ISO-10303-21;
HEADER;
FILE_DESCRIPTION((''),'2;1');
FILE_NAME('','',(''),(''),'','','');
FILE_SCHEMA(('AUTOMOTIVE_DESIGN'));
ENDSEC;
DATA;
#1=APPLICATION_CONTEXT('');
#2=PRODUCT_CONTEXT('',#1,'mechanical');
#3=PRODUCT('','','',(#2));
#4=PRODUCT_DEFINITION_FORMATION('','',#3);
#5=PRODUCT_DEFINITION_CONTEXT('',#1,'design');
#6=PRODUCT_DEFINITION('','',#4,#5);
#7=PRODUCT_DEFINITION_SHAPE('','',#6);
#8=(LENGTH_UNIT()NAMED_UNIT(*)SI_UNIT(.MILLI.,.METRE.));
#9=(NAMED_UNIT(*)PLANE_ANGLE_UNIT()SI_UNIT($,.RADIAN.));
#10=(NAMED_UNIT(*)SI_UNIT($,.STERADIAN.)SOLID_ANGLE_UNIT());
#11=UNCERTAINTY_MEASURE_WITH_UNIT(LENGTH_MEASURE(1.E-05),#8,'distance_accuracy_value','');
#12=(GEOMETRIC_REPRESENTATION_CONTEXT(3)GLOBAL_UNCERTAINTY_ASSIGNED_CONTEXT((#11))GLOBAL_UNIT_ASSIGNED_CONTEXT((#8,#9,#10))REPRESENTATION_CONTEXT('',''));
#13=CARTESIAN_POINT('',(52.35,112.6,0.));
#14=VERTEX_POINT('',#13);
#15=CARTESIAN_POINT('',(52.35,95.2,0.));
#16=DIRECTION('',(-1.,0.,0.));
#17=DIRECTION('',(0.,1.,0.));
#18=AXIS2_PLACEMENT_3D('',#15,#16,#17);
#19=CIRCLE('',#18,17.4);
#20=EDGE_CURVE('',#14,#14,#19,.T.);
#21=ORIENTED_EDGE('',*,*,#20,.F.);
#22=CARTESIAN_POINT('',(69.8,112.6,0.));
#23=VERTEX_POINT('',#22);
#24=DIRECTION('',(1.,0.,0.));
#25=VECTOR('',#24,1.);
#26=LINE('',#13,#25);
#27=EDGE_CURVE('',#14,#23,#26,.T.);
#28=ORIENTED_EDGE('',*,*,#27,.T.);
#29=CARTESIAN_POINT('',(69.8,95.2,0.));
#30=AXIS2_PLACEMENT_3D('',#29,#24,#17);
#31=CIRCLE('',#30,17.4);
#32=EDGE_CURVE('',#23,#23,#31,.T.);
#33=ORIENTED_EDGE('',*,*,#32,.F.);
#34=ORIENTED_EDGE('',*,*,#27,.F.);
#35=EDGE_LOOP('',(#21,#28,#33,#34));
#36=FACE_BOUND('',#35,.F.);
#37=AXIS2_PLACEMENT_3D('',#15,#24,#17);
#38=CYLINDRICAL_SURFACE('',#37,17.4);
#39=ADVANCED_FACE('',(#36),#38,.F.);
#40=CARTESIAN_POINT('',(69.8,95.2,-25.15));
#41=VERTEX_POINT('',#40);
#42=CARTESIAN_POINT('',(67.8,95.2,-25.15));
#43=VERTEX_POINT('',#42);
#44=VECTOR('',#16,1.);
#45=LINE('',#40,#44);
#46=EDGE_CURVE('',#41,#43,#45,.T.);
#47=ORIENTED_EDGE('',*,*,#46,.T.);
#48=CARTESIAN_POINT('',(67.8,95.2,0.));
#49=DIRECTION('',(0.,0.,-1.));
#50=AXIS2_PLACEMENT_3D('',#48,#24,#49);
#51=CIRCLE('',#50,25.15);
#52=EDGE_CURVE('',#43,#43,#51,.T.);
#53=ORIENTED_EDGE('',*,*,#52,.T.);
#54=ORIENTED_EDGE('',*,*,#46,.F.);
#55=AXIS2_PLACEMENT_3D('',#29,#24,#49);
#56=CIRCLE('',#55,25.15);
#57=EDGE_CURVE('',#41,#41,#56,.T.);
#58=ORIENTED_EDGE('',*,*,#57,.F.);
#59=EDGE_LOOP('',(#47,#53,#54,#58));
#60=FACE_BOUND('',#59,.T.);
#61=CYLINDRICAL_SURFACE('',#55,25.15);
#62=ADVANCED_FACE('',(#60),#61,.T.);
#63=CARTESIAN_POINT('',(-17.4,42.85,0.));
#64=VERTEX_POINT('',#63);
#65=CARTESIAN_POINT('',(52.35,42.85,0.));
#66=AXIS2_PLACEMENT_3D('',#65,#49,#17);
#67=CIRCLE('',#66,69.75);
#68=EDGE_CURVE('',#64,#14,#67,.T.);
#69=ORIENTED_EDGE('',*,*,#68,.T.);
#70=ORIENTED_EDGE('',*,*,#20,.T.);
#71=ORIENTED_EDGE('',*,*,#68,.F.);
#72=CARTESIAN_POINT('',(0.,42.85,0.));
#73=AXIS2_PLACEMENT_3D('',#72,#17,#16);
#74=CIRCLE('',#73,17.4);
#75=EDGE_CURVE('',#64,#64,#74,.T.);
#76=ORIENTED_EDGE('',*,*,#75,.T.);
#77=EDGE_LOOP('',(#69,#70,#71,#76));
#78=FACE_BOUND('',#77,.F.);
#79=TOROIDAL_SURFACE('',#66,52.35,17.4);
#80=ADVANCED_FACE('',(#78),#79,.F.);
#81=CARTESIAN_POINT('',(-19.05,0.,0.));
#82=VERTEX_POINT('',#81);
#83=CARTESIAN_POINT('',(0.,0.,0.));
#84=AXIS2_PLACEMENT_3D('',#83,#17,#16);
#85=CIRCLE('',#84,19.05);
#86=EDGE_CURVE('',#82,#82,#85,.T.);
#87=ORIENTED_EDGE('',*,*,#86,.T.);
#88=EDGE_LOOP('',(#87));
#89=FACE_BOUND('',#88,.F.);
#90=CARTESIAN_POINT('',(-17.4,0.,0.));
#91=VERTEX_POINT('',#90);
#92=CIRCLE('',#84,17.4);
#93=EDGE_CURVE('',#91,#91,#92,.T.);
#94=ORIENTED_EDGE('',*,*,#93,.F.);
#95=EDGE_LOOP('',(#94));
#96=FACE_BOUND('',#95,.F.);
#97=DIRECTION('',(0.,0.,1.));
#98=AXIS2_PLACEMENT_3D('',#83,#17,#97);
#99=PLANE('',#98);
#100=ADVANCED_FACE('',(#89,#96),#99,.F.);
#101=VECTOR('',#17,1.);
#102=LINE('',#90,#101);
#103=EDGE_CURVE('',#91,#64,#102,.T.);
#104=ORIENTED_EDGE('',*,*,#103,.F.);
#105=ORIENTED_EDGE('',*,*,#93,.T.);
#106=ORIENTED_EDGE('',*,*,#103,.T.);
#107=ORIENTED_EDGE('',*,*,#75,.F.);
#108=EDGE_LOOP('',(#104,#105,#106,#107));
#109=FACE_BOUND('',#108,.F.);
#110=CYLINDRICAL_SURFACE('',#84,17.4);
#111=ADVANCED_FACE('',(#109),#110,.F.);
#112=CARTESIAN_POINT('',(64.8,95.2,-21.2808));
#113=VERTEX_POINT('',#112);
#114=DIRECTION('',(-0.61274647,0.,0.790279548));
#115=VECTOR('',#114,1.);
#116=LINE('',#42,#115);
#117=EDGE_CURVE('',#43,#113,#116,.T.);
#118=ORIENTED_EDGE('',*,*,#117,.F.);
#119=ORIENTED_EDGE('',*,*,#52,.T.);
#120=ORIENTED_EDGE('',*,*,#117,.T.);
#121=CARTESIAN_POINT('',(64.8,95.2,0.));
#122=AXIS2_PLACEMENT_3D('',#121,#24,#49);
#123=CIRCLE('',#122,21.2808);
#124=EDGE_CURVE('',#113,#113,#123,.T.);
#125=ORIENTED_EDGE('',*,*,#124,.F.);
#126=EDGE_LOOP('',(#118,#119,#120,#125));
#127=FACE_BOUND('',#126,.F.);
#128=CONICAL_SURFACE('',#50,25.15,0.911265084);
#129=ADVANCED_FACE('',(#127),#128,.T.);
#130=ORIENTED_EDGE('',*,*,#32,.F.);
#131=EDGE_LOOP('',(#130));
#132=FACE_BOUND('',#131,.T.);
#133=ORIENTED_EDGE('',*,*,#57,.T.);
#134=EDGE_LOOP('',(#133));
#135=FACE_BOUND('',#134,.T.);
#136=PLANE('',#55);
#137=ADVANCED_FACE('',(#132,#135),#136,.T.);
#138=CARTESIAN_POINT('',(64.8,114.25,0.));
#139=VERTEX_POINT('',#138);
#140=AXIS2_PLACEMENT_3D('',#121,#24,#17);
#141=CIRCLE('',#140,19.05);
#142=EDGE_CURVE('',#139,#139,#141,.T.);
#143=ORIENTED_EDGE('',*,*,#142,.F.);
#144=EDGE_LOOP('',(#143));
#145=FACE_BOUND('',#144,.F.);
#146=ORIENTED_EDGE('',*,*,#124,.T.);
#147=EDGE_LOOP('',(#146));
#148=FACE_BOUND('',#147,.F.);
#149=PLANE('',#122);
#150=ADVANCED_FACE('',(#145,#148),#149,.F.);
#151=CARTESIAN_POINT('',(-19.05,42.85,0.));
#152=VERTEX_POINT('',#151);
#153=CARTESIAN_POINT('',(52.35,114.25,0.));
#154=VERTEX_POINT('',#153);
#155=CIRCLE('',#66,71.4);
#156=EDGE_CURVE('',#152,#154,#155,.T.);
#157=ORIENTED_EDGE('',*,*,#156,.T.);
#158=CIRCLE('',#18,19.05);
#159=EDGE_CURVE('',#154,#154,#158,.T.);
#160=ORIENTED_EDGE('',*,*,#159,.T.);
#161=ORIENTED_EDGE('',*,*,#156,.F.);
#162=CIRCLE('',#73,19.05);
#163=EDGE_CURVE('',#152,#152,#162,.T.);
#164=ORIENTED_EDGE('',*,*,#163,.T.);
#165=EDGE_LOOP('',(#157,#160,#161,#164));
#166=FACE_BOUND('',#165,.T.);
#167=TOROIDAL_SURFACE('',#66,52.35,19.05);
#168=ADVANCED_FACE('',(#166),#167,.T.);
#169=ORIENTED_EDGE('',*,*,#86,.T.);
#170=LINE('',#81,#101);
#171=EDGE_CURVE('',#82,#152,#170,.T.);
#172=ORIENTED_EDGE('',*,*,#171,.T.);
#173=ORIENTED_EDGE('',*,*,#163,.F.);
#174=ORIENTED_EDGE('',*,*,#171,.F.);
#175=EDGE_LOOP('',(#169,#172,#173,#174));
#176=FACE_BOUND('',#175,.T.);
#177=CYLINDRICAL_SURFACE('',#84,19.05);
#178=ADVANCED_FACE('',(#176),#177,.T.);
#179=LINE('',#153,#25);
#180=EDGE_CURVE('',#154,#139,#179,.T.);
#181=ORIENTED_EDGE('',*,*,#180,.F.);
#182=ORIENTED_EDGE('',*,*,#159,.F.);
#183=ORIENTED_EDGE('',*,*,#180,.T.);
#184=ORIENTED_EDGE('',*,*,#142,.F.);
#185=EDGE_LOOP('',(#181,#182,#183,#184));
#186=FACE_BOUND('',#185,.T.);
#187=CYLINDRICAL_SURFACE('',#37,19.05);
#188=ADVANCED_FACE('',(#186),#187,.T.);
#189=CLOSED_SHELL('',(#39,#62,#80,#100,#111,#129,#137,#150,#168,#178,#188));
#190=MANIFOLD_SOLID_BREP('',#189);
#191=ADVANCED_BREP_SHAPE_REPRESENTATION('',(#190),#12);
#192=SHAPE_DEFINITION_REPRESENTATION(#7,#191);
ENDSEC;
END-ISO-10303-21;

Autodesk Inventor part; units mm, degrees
ref_plane "YZ Plane" through (0, 0, 0) normal (1, 0, 0) x (0, 1, 0)
ref_plane "XZ Plane" through (0, 0, 0) normal (0, 1, 0) x (-1, 0, 0)
ref_plane "XY Plane" through (0, 0, 0) normal (0, 0, 1) x (1, 0, 0)
sketch "Sketch1" plane through (0, 0, 0) normal (0, 0, 1) x (1, 0, 0)
  line L0 (0, 0) -> (0, 42.85)
  line L1 (52.35, 95.2) -> (69.8, 95.2)
  arc A0 (52.35, 95.2) -> (0, 42.85) centre (52.35, 42.85) ccw
  dimension "d1" = 95.2
  dimension "d2" = 69.8
  dimension "d4" = 52.35
sketch "Sketch2" plane through (0, 0, 0) normal (0, 1, 0) x (-1, 0, 0)
  circle A0 centre (0, 0) radius 19.05
  circle A1 centre (0, 0) radius 17.4
  dimension "d3" = 38.1
  dimension "d11" = 1.65
sweep "Sweep1" add profiles "Sketch2" path "Sketch1"
sketch "Sketch3" plane through (69.8, 95.2, 0) normal (1, 0, 0) x (0, 0, -1)
  circle A0 centre (0, 0) radius 19.05 projected
  circle A1 centre (0, 0) radius 25.15
  point P0 (0, -95.2)
  dimension "d6" = 50.3
extrude "Extrusion1" add sketch "Sketch3" against normal blind 5
chamfer "Chamfer1" distance 3 distance2 3.8692 1 edges at (64.8, 95.2, 25.15) measured on face at (66.4667, 91.1657, -24.8243)
equation "\"d4\" = 0.75 * d2"
equation "\"d15\" = 0.0769231 * d6"
properties part number "Ferrule 90 deg Elb-38.1"
